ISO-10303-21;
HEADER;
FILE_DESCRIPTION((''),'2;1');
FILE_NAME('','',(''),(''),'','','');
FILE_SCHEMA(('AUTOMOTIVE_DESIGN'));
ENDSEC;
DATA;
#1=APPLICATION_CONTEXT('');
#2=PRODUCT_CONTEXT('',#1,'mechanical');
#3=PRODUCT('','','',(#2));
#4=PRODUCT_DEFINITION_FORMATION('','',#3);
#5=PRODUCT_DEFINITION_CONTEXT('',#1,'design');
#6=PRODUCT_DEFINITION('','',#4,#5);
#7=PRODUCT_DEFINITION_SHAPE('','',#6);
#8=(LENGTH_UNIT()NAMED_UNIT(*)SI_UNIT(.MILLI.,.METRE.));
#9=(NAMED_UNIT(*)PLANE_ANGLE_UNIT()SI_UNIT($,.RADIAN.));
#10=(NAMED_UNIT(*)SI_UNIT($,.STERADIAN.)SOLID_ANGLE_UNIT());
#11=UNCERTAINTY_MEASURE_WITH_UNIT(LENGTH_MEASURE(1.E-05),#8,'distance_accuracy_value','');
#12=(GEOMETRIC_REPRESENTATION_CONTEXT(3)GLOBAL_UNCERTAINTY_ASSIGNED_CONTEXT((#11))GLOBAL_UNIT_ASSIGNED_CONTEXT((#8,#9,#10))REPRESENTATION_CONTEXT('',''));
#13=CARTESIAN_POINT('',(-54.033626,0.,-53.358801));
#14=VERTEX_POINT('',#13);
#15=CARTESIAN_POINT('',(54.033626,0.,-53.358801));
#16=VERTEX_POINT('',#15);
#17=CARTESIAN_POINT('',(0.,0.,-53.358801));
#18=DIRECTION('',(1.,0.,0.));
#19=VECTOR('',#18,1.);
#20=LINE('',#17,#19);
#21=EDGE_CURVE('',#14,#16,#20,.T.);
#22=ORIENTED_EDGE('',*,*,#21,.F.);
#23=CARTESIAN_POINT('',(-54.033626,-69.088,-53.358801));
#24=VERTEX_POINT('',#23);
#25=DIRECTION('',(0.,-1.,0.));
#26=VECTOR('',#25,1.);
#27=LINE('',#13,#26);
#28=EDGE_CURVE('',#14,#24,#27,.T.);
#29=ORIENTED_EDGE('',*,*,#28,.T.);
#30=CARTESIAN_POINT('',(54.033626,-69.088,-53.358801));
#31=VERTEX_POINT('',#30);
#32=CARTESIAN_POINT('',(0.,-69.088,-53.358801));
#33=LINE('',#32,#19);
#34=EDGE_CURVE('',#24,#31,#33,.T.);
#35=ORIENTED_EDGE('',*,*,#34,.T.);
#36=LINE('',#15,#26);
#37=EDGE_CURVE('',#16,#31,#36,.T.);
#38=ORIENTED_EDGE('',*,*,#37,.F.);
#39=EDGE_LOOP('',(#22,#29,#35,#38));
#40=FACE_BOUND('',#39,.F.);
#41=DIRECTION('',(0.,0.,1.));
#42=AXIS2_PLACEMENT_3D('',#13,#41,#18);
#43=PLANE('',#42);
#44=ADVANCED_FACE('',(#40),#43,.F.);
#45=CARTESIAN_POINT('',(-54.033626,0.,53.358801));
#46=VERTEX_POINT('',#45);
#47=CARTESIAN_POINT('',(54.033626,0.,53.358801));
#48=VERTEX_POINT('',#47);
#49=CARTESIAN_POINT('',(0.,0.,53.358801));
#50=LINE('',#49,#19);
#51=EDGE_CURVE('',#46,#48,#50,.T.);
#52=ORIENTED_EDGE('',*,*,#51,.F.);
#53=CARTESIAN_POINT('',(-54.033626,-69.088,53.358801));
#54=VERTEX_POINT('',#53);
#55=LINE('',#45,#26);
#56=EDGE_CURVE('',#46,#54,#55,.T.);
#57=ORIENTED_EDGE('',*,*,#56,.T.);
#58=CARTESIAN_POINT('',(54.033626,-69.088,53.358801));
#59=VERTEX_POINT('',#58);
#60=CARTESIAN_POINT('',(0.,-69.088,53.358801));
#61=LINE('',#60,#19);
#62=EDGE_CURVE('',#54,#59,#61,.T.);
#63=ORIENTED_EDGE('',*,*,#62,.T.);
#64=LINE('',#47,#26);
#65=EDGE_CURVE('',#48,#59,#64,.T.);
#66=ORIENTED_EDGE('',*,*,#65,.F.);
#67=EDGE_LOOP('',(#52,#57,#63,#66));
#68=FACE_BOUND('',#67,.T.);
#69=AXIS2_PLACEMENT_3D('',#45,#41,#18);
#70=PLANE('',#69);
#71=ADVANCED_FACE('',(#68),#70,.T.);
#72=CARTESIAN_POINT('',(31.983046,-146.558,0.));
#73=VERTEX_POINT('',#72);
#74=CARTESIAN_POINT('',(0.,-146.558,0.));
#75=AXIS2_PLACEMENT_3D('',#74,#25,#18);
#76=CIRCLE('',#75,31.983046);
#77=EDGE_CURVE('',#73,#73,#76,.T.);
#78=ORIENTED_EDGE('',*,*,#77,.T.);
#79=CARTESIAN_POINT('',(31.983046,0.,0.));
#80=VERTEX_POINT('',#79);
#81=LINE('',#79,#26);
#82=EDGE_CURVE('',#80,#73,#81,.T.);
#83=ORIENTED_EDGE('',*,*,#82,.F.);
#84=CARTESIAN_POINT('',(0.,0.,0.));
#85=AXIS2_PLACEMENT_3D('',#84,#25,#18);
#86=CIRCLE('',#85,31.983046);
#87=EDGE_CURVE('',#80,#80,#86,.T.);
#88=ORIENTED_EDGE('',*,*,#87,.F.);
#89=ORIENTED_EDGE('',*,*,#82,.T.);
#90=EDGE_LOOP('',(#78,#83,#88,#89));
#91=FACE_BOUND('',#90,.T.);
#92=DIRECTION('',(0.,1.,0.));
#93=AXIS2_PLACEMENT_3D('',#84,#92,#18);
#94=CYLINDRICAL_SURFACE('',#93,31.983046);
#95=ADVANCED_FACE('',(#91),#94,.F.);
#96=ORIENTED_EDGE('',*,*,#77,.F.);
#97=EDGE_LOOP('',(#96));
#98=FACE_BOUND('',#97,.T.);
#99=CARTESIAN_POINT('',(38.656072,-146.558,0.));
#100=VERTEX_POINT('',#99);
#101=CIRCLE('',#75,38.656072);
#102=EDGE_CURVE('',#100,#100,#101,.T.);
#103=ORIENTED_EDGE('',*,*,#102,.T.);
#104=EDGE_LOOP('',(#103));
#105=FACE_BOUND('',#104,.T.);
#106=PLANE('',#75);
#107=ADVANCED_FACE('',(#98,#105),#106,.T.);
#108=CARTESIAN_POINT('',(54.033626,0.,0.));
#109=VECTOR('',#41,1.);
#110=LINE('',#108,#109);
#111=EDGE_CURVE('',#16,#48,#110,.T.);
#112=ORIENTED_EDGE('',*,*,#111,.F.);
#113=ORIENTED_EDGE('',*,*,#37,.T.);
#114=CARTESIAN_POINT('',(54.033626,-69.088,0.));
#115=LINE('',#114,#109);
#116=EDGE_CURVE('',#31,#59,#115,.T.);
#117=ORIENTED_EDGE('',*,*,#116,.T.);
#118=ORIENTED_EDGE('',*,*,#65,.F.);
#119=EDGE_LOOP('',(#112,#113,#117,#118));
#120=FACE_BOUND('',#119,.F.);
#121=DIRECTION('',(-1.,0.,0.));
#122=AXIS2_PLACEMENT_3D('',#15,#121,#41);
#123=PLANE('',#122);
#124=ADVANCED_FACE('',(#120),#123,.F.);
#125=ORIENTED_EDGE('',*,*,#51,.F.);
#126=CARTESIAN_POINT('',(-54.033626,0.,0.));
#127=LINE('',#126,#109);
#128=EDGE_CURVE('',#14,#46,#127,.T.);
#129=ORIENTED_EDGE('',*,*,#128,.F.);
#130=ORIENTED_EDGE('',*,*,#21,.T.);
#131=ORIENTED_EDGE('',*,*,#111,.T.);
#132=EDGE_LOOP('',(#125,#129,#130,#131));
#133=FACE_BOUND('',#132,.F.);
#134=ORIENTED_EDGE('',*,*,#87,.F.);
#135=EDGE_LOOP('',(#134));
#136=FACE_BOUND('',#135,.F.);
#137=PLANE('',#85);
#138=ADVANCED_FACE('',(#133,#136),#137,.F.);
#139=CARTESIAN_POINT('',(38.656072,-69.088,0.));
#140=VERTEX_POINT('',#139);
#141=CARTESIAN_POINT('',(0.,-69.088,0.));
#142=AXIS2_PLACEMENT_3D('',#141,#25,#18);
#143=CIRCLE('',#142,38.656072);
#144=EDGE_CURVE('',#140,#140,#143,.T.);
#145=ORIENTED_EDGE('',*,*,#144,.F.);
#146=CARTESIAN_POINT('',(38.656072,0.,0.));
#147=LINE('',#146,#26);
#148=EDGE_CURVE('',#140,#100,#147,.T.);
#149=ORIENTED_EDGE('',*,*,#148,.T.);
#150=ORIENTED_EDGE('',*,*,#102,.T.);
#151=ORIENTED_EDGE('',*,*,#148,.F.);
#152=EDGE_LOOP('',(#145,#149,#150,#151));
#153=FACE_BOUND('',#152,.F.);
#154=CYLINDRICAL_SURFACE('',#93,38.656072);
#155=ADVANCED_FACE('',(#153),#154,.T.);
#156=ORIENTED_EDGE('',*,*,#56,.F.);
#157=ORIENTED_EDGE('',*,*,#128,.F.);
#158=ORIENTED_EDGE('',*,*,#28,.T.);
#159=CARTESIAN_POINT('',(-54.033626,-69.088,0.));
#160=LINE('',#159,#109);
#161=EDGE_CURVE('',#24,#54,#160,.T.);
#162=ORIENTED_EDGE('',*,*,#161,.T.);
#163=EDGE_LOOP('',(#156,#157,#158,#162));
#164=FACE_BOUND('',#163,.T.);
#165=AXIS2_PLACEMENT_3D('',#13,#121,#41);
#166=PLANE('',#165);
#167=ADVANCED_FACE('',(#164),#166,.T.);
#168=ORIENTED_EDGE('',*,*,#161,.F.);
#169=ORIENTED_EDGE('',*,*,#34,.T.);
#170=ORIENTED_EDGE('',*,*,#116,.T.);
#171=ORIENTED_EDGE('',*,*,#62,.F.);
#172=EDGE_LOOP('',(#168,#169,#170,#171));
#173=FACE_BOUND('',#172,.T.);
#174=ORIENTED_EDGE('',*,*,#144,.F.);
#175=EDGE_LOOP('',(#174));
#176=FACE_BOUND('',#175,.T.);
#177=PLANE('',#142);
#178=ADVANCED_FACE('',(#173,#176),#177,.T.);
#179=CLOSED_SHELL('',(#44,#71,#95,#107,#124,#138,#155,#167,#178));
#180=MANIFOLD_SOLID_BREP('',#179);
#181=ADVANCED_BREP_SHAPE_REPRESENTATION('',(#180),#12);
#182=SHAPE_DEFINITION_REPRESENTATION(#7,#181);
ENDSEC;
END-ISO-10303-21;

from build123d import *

# Parameters (mm, degrees)
F0_W     = 108.067252
F0_H     = 106.717602
F0_R     = 38.656072
F1_DEPTH = 69.088
F0_R_2   = 31.983046
F2_DEPTH = 146.558


with BuildPart() as f1:
    # F0 (on Front) → F1 (new body)
    with BuildSketch(Plane.XZ):
        Rectangle(F0_W, F0_H)
        Circle(F0_R, mode=Mode.SUBTRACT)
    extrude(amount=F1_DEPTH)

    # F0 (on Front) → F2 (join)
    with BuildSketch(Plane.XZ):
        Circle(F0_R)
        Circle(F0_R_2, mode=Mode.SUBTRACT)
    extrude(amount=F2_DEPTH)


solid = f1.part
